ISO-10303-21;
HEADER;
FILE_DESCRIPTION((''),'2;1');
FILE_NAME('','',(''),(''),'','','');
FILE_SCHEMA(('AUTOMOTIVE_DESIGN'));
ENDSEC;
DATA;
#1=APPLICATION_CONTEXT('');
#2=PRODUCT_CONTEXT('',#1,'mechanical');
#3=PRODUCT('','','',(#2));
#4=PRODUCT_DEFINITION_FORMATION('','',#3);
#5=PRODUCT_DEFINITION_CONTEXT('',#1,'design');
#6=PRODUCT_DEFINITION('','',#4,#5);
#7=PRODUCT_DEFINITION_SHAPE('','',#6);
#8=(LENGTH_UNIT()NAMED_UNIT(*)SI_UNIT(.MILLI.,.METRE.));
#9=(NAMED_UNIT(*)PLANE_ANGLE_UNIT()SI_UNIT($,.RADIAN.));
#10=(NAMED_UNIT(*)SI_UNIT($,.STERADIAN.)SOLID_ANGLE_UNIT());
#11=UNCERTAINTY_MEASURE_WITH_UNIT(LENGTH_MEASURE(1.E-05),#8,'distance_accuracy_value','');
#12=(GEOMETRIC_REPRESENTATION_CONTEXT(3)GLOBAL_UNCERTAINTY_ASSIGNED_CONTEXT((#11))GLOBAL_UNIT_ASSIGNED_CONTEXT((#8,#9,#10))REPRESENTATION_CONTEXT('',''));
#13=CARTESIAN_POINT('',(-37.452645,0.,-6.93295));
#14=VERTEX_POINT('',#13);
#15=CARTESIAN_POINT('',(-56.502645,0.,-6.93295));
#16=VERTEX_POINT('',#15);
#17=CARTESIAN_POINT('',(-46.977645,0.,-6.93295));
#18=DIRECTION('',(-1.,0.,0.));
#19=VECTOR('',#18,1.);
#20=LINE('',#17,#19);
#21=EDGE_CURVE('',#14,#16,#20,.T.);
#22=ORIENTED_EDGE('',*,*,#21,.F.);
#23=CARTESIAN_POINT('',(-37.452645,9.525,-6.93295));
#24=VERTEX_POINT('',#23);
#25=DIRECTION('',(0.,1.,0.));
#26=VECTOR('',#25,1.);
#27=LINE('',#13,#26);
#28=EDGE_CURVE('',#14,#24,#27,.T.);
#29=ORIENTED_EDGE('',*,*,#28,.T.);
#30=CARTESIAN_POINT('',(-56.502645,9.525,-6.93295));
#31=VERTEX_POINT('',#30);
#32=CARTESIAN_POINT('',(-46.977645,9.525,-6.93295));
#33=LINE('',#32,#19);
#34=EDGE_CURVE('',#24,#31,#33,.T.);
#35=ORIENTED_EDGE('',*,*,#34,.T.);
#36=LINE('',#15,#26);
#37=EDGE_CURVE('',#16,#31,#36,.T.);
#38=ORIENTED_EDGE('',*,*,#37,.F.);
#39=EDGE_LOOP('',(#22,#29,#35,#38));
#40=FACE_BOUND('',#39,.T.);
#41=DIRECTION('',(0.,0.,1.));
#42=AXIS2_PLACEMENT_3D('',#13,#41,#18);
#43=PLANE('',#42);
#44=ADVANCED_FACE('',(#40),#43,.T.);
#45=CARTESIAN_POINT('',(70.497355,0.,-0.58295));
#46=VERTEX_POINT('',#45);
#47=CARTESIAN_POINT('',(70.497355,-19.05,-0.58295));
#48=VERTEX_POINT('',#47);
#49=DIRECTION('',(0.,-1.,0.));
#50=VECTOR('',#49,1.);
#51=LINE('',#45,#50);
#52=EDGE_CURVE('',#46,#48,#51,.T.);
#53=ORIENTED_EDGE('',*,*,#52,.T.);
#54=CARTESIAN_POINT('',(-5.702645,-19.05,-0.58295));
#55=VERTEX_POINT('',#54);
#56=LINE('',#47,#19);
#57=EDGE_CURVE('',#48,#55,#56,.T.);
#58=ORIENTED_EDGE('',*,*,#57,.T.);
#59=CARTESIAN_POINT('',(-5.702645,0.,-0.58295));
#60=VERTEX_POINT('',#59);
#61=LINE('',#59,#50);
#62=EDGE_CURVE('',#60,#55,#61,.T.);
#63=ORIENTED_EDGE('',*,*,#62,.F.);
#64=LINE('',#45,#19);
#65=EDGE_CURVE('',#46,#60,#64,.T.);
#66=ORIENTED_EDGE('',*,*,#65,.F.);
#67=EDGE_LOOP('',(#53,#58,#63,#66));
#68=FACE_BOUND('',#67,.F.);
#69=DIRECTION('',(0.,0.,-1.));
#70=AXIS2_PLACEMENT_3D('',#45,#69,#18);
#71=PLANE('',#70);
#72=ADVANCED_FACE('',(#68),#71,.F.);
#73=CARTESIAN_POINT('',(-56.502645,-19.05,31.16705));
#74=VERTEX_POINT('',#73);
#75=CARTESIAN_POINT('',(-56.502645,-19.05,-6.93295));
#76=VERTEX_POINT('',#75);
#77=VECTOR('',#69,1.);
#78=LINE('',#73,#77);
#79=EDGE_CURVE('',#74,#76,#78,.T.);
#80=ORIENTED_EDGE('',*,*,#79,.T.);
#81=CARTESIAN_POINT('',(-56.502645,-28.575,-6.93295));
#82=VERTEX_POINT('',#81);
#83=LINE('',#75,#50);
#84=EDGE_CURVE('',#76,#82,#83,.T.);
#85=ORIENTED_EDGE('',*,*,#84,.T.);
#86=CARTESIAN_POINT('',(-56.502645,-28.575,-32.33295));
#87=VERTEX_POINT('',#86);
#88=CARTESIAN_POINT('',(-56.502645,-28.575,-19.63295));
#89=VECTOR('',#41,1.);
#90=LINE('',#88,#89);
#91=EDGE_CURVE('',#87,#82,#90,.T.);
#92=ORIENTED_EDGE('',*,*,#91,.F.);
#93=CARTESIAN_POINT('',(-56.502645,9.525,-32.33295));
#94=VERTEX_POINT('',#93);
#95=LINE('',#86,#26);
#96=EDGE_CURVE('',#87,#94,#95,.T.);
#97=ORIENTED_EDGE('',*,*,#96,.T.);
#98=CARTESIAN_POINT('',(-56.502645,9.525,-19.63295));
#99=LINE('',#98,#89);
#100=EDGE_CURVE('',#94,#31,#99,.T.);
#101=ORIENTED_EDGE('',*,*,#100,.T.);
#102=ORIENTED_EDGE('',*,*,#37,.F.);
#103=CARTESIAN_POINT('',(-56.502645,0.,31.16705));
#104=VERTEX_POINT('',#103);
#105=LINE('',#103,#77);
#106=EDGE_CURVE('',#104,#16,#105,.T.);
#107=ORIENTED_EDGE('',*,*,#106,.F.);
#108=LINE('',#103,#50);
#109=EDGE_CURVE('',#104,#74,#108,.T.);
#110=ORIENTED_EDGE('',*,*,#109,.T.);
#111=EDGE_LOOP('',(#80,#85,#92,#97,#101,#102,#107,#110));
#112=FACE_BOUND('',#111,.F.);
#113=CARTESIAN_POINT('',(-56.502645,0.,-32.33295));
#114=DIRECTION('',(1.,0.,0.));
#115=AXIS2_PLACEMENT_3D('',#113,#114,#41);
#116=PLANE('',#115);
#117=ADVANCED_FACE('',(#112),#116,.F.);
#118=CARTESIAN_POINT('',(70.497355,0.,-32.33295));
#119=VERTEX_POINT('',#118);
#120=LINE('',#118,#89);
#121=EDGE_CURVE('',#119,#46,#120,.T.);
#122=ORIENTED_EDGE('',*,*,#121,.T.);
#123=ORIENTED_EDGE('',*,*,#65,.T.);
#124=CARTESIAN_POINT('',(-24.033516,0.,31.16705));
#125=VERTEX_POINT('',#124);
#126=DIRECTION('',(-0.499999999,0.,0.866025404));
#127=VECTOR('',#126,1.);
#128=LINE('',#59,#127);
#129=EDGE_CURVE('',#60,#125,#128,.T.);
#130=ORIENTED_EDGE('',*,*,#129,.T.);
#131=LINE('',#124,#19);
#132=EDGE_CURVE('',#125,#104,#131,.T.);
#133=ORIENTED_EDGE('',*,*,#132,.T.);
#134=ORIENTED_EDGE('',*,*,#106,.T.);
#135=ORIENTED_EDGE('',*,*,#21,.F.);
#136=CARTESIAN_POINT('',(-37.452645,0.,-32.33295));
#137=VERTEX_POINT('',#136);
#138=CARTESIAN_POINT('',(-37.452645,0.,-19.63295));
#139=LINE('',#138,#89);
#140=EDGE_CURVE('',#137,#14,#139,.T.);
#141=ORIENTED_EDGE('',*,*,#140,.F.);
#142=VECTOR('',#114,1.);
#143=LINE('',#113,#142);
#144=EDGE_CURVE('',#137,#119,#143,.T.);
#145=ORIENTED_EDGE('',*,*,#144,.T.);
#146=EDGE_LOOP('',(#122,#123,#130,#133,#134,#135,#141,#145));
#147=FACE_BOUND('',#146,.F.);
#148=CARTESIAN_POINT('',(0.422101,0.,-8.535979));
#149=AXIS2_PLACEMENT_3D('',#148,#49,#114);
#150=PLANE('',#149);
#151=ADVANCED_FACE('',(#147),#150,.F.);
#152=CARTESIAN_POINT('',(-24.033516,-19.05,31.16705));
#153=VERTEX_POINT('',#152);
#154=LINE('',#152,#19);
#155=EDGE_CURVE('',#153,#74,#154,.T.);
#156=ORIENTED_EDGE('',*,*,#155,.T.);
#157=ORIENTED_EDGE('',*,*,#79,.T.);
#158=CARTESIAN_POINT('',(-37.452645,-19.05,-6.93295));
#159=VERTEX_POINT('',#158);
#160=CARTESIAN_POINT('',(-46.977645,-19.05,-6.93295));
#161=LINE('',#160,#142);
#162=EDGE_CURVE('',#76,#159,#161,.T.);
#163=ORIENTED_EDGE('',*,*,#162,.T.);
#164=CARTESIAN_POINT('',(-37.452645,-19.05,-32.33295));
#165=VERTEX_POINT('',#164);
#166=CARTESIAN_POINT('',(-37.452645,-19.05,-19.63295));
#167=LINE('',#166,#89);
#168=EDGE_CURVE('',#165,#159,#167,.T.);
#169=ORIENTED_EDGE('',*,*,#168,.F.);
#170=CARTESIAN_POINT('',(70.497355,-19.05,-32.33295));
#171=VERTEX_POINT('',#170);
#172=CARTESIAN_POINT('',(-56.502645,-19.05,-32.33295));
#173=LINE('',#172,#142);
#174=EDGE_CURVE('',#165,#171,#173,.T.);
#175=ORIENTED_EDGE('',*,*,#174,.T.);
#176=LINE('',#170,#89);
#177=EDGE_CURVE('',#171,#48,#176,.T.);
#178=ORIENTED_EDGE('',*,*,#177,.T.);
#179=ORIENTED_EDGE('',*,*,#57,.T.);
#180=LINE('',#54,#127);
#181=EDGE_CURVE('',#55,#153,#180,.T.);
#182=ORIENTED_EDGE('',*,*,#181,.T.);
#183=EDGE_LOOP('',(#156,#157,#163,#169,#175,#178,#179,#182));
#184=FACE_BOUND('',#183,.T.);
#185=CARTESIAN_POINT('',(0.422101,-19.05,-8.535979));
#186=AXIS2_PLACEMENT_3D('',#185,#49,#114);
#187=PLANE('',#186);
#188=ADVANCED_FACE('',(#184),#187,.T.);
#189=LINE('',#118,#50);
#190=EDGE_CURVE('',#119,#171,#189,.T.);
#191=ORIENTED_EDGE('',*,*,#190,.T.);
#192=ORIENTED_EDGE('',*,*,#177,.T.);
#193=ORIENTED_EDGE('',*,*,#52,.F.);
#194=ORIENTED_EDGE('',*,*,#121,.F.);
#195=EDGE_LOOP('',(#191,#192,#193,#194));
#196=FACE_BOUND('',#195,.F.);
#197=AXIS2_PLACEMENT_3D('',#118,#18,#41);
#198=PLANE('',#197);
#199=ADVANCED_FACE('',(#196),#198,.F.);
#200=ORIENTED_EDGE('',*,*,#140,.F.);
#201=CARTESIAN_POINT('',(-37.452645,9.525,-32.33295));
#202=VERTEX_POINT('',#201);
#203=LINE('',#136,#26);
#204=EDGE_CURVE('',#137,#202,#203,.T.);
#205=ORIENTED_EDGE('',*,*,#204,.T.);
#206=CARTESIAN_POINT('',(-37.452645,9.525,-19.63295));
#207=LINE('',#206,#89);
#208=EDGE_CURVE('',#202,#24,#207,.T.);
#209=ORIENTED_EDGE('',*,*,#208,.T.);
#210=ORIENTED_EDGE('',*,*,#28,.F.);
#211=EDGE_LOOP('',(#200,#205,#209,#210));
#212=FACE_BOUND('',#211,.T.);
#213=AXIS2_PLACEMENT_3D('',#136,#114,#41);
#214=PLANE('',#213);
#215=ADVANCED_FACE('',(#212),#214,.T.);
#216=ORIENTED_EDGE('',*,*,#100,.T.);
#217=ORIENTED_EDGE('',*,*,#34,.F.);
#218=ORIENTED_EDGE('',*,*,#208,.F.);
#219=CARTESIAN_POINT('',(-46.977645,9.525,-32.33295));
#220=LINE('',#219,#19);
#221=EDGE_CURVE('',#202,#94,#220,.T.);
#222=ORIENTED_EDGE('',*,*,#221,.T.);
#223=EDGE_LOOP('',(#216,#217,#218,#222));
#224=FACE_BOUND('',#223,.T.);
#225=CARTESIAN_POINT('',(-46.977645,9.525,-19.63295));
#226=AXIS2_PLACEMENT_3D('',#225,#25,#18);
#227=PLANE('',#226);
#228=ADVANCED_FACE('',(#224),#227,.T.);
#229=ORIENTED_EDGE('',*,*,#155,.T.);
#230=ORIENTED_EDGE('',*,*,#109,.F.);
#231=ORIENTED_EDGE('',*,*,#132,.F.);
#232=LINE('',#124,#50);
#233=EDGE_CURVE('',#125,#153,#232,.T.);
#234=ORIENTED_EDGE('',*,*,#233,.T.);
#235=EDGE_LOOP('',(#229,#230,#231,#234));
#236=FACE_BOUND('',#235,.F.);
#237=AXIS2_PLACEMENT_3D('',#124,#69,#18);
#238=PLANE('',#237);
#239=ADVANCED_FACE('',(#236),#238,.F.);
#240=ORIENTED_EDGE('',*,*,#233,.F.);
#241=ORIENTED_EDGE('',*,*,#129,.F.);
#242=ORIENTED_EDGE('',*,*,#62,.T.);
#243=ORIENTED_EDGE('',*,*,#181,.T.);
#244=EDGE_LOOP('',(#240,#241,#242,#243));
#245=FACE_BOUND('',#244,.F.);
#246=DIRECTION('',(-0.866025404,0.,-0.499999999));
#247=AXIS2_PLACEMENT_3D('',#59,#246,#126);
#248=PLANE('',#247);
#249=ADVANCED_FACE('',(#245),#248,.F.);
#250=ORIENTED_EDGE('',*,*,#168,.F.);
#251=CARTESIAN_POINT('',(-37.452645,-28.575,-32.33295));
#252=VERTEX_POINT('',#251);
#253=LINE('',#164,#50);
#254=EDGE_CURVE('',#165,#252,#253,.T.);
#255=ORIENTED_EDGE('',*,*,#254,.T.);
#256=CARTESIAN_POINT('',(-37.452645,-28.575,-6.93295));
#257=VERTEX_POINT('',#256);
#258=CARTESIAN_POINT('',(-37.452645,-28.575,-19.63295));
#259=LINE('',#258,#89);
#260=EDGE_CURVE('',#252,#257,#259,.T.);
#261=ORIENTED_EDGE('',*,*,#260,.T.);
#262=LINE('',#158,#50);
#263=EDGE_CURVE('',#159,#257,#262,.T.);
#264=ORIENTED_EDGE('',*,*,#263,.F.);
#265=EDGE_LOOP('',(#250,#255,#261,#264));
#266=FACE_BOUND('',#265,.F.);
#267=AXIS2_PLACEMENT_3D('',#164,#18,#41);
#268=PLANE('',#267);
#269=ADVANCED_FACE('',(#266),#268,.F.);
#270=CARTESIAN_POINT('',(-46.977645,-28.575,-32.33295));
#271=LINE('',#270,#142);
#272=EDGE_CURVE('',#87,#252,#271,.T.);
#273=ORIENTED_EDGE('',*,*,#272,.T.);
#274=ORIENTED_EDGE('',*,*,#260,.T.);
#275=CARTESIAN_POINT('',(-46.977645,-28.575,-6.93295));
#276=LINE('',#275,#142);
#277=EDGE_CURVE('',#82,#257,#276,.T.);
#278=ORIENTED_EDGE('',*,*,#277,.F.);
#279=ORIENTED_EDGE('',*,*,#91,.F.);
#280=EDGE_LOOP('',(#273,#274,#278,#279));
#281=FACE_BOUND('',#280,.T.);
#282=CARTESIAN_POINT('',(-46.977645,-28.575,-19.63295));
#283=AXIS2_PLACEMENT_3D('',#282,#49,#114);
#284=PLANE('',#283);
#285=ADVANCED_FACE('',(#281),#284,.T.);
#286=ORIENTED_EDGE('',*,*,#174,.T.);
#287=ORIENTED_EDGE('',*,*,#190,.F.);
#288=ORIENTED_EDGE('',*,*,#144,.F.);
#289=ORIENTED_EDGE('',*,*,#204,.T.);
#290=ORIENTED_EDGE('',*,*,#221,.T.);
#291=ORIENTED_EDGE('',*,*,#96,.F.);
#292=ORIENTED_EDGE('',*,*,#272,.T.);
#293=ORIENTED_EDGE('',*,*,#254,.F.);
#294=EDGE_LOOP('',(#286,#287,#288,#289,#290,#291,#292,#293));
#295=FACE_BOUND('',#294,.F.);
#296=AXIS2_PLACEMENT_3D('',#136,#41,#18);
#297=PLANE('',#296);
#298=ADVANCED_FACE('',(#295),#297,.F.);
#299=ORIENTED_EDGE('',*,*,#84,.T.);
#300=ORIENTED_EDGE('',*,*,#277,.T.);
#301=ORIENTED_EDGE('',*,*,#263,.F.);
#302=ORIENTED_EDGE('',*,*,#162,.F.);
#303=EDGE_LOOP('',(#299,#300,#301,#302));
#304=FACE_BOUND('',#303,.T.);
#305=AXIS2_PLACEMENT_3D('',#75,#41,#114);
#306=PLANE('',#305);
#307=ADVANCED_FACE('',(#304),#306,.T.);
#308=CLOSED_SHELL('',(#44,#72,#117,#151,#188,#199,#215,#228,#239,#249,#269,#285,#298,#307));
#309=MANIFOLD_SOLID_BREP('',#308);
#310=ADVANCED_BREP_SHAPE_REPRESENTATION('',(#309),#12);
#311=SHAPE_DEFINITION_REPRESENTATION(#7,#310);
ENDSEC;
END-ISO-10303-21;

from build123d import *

# Parameters (mm, degrees)
F1_DEPTH = 19.05
F2_W     = 19.05
F2_H     = 25.4
F3_DEPTH = 9.525
F4_W     = 19.05
F4_H     = 25.4
F5_DEPTH = 9.525


with BuildPart() as f1:
    # F0 (on Front) → F1 (new body)
    with BuildSketch(Plane.XZ):
        Polygon((-24.033516, 31.16705), (-56.502645, 31.16705), (-56.502645, -32.33295), (70.497355, -32.33295), (70.497355, -0.58295), (-5.702645, -0.58295), align=None)
    extrude(amount=F1_DEPTH)

    # F2 (on face) → F3 (join)
    with BuildSketch(Plane.XZ.offset(19.05)):
        with Locations((-46.977645, -19.63295)):
            Rectangle(F2_W, F2_H)
    extrude(amount=F3_DEPTH)

    # F4 (on face) → F5 (join)
    with BuildSketch(Plane(origin=(0, 0, 0), x_dir=(-1, 0, 0), z_dir=(0, 1, 0))):
        with Locations((46.977645, -19.63295)):
            Rectangle(F4_W, F4_H)
    extrude(amount=F5_DEPTH)


solid = f1.part
